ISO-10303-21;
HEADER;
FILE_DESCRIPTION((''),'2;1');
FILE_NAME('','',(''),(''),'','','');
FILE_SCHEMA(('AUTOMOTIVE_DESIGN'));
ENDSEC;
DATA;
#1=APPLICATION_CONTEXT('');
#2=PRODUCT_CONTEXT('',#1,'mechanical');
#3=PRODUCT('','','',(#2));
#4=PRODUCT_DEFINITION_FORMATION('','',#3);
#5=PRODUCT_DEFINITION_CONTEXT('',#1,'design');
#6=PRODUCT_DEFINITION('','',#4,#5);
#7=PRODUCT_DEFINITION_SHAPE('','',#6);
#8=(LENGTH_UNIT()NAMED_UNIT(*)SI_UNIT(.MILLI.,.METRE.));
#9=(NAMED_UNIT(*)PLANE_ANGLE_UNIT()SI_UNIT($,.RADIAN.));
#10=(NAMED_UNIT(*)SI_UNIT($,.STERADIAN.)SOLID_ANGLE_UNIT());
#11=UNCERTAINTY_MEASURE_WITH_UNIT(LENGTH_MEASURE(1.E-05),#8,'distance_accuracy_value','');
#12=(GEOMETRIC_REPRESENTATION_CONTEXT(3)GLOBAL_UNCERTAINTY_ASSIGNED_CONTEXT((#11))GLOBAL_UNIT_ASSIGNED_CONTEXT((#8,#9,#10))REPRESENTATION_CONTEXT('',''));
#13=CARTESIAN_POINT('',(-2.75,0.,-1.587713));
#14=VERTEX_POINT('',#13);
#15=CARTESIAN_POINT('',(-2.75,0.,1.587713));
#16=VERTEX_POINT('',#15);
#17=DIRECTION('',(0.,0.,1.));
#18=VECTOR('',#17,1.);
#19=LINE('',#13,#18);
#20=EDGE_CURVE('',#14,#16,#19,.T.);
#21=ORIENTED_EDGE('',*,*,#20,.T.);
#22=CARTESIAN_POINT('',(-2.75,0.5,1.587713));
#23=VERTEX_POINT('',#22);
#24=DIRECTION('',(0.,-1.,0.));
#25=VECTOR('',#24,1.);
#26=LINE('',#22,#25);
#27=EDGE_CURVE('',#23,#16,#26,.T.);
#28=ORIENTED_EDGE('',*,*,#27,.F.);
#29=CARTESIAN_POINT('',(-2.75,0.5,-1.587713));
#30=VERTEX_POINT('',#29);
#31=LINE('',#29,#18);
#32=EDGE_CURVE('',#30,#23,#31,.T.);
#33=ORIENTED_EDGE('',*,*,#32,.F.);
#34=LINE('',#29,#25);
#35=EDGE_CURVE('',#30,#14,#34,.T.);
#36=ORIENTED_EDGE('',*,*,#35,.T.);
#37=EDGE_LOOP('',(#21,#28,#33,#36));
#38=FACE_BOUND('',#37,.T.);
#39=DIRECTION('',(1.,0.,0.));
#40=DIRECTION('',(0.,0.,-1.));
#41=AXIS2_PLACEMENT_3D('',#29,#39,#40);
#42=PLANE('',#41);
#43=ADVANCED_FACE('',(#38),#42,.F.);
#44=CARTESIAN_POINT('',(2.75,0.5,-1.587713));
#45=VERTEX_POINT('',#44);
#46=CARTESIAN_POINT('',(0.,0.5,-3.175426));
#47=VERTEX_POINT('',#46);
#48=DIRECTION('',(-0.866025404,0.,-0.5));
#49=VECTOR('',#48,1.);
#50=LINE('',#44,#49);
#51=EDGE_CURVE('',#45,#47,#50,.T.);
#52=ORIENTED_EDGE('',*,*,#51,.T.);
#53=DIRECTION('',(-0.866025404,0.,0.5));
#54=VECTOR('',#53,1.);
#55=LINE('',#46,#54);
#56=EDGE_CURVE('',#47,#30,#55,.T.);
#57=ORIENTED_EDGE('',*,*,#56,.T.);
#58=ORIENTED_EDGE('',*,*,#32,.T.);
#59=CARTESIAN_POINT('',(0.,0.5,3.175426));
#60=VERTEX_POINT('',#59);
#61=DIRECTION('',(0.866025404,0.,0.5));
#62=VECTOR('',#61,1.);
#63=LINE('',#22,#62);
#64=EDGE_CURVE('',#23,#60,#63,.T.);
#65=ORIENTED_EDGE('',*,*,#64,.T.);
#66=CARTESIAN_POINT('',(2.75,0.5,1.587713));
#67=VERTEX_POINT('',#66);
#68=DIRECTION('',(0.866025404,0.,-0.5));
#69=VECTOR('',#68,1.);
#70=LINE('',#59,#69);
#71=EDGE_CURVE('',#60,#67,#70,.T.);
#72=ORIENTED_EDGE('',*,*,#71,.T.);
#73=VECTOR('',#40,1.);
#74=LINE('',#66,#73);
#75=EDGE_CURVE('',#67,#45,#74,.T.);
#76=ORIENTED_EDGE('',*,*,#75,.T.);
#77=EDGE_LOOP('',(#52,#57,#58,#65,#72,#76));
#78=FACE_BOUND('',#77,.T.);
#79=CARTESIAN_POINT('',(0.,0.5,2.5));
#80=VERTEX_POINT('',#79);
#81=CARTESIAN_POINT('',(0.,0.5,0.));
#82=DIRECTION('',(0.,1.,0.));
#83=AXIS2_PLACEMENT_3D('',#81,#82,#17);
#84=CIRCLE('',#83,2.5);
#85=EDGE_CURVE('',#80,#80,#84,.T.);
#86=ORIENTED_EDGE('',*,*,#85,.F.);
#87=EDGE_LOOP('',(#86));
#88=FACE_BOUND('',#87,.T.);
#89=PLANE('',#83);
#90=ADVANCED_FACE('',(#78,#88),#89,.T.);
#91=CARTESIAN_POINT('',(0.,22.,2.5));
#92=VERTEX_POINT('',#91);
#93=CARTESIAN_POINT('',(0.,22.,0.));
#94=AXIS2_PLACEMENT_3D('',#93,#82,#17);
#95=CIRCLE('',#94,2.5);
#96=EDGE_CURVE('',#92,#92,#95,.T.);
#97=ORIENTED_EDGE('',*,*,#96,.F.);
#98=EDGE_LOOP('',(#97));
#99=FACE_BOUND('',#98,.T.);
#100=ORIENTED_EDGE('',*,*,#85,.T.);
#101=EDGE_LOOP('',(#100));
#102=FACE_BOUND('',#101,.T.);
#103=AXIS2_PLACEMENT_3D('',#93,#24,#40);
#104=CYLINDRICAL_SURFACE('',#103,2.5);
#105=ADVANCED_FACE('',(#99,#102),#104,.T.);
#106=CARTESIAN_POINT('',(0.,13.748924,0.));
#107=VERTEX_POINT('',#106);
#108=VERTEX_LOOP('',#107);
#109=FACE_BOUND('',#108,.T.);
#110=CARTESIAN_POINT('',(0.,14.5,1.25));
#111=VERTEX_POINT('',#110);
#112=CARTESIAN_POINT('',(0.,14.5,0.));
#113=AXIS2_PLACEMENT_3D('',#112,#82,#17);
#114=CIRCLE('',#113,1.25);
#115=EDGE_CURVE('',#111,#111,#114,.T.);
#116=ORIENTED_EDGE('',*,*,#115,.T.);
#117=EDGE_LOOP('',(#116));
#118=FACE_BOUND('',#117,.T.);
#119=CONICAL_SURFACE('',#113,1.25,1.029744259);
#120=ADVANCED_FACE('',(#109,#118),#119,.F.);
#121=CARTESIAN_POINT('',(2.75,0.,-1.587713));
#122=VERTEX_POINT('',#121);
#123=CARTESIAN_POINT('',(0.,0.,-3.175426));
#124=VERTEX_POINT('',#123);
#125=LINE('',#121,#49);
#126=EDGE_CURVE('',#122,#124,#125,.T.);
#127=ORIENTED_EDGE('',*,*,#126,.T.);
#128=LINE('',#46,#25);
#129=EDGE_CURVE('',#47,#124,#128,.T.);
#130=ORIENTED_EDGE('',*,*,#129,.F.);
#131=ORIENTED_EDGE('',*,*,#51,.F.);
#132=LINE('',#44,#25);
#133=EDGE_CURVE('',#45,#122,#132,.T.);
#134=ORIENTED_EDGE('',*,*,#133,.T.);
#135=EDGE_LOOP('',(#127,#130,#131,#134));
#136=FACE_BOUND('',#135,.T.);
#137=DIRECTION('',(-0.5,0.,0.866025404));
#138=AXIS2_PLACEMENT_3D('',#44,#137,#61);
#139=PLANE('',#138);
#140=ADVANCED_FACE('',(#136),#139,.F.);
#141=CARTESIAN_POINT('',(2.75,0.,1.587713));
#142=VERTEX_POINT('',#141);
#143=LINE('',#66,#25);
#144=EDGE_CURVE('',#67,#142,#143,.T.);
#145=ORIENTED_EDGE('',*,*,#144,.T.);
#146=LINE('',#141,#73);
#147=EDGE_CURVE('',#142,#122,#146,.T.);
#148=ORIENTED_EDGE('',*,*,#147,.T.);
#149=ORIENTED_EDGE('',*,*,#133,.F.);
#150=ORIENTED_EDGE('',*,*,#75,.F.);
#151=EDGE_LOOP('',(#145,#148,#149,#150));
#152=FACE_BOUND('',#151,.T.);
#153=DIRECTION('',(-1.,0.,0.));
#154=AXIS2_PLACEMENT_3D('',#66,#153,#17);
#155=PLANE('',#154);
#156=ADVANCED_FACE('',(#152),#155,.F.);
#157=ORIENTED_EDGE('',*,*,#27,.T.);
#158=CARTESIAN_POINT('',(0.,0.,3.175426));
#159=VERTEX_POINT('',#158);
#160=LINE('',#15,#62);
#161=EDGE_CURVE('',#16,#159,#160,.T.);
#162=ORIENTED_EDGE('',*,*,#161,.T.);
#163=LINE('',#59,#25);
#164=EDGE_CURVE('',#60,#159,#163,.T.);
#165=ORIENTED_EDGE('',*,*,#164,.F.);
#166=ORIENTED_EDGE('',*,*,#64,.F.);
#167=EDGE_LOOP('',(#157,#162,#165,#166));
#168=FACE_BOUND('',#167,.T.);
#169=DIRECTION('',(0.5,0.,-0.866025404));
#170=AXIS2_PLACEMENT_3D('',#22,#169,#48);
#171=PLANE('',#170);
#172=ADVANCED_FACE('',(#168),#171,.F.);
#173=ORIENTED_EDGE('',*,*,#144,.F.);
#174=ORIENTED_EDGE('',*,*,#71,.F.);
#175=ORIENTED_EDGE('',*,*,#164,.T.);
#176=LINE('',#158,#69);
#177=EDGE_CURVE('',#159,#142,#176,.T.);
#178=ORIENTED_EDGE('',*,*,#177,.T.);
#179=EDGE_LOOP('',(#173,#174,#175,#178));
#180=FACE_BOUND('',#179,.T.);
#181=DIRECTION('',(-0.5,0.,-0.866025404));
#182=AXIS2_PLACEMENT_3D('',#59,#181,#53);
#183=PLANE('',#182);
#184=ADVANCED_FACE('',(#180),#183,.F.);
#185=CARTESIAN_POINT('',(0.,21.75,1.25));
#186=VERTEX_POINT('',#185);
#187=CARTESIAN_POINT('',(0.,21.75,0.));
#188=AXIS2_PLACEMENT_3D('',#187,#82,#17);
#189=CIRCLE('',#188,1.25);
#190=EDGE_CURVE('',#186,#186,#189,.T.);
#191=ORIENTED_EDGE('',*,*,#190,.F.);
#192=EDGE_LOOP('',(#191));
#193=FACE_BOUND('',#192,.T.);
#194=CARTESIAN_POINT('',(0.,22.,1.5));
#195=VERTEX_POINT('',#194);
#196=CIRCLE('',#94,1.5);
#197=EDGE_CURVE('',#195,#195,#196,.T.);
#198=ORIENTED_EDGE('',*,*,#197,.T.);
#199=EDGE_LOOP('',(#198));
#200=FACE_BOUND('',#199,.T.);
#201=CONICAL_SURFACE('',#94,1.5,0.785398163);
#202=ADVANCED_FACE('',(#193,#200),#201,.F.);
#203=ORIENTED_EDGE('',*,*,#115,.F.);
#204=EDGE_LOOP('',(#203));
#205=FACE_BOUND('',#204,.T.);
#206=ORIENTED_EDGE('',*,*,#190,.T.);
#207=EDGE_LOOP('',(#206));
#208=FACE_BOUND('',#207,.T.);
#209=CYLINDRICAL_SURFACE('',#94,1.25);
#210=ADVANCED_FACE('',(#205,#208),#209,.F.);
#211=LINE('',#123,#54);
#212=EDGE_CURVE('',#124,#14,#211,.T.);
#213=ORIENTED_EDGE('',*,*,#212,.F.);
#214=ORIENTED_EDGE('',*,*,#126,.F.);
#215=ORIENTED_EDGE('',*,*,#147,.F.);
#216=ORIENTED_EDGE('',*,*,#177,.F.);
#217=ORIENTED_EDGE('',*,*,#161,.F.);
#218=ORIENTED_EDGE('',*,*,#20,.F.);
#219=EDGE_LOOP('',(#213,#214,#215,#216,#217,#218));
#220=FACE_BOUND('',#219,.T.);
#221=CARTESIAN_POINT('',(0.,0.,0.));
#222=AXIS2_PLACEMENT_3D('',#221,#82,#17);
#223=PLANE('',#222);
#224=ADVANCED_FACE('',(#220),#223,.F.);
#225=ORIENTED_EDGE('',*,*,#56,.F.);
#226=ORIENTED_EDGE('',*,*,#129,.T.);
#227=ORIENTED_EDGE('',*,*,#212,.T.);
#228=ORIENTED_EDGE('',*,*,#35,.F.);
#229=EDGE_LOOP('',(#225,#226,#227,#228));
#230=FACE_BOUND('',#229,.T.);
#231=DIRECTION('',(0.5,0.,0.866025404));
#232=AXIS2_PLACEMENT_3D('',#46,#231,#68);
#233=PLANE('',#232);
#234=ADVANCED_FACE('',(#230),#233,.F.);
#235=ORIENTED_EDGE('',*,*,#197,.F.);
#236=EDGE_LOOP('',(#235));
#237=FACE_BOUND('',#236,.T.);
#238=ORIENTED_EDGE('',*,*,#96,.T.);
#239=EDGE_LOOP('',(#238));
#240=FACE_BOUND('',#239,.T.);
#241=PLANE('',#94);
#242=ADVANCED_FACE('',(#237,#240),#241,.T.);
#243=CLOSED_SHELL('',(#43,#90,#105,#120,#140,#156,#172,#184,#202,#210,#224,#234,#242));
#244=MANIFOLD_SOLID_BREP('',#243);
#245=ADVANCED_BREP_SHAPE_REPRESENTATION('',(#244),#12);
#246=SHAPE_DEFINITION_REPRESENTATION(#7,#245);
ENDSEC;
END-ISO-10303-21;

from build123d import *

# Parameters (mm, degrees)
EXTRUDE_1_DEPTH              = 0.5
SKETCH_2_R                   = 2.5
EXTRUDE_2_DEPTH              = 21.5
HOLE_WIZARD_M3_1_D           = 2.5
HOLE_WIZARD_M3_1_DEPTH       = 7.5
HOLE_WIZARD_M3_1_CSINK_D     = 3
HOLE_WIZARD_M3_1_CSINK_ANGLE = 90
HOLE_WIZARD_M3_1_TIP         = 0.751075774


with BuildPart() as part:
    # 草图1 → 凸台-拉伸1 (new body)
    with BuildSketch(Plane(origin=(0, 0, 0), x_dir=(1, 0, 0), z_dir=(0, 1, 0))):
        Polygon((0, -3.175426481), (2.75, -1.58771324), (2.75, 1.58771324), (0, 3.175426481), (-2.75, 1.58771324), (-2.75, -1.58771324), align=None)
    extrude(amount=EXTRUDE_1_DEPTH)

    # 草图2 → 凸台-拉伸2 (add)
    with BuildSketch(Plane(origin=(0, 0.5, 0), x_dir=(1, 0, 0), z_dir=(0, 1, 0))):
        Circle(SKETCH_2_R)
    extrude(amount=EXTRUDE_2_DEPTH)

    # M3 螺纹孔1
    with Locations(Plane(origin=(0, 22, 0), x_dir=(1, 0, 0), z_dir=(0, 1, 0))):
        with Locations((0, 0)):
            CounterSinkHole(HOLE_WIZARD_M3_1_D / 2, HOLE_WIZARD_M3_1_CSINK_D / 2, depth=HOLE_WIZARD_M3_1_DEPTH, counter_sink_angle=HOLE_WIZARD_M3_1_CSINK_ANGLE)
            with Locations((0, 0, -(HOLE_WIZARD_M3_1_DEPTH + HOLE_WIZARD_M3_1_TIP / 2))):  # 118° drill point
                Cone(0, HOLE_WIZARD_M3_1_D / 2, HOLE_WIZARD_M3_1_TIP, mode=Mode.SUBTRACT)


solid = part.part
